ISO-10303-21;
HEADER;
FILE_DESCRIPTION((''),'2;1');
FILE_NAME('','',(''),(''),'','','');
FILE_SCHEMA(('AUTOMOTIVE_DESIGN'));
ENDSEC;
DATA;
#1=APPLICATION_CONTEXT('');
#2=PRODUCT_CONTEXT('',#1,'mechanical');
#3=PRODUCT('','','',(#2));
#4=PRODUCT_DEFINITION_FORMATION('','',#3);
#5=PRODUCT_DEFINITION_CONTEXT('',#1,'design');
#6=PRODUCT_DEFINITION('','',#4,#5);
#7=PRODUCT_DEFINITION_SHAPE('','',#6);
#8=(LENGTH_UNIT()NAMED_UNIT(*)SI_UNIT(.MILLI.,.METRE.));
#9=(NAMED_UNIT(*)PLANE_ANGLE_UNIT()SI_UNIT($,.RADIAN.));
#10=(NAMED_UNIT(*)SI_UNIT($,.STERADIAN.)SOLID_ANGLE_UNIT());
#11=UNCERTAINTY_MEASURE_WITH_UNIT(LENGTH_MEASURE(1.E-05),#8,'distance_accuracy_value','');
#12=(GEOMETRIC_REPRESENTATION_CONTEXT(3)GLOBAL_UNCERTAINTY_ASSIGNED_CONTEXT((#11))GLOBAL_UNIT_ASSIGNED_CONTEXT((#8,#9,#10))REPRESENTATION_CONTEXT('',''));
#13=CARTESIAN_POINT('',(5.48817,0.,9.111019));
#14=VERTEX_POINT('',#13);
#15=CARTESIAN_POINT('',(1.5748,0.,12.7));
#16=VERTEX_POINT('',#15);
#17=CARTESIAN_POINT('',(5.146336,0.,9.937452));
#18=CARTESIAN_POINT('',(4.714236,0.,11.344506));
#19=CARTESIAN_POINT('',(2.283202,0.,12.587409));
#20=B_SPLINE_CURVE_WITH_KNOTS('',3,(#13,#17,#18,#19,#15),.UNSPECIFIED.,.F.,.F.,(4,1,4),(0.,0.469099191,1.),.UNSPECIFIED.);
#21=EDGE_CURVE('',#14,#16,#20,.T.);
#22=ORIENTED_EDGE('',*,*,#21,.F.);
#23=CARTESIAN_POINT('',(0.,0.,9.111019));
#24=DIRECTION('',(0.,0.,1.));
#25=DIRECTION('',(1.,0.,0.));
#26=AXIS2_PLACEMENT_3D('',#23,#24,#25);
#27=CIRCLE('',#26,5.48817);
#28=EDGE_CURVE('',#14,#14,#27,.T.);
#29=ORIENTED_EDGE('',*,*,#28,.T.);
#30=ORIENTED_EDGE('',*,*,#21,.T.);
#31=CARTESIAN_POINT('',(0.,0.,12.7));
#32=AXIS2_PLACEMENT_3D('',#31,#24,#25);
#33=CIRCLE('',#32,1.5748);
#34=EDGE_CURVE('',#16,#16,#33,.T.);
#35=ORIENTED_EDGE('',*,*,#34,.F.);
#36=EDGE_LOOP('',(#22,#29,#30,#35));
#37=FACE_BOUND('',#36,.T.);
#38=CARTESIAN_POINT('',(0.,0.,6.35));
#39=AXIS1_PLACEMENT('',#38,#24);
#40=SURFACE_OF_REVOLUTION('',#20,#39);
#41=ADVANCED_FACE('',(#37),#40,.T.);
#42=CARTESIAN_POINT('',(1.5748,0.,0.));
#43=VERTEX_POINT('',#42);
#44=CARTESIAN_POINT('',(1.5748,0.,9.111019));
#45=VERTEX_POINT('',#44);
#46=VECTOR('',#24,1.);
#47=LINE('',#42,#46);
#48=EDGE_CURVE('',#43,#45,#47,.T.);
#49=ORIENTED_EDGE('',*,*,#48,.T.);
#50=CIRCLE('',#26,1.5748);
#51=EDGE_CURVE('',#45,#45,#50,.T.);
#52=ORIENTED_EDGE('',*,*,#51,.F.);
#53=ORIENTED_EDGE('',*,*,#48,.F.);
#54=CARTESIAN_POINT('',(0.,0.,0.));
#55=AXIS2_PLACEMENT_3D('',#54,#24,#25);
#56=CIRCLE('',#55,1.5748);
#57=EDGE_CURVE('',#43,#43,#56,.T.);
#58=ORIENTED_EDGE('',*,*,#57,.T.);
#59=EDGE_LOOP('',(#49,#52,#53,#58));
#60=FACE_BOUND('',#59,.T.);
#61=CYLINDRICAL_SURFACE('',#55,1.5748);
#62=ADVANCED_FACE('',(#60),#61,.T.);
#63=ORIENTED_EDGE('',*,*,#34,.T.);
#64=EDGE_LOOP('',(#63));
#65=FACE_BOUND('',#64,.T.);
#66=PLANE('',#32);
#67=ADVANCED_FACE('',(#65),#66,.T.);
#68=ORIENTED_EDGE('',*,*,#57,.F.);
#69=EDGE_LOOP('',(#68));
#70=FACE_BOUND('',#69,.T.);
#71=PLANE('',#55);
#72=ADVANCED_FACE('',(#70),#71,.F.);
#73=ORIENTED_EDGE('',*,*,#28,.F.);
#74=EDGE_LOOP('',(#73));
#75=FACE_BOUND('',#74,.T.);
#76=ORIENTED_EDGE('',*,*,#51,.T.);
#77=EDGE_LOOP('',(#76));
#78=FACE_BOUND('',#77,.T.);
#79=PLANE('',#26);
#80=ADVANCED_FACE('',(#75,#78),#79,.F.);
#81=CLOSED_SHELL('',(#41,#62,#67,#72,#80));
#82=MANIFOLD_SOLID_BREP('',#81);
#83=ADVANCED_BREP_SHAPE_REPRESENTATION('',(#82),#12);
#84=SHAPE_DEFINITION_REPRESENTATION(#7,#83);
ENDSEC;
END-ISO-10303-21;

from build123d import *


with BuildPart() as f1:
    # F0 (on Front) → F1 (revolve)
    with BuildSketch(Plane.XZ):
        with BuildLine():
            Line((0, 12.7), (0, 0))
            Line((0, 0), (1.5748, 0))
            Line((1.5748, 0), (1.5748, 9.1110188514))
            Line((1.5748, 9.1110188514), (5.4881703109, 9.1110188514))
            add(Edge.make_bspline(
                [(5.4881703109, 9.1110188514), (5.1463357238, 9.9374517907), (4.7142359861, 11.3445059879), (2.2832024785, 12.5874089086), (1.5748, 12.7)],
                knots=[0, 0, 0, 0, 0.4690991907, 1, 1, 1, 1], degree=3))
            Line((1.5748, 12.7), (0, 12.7))
        make_face()
    revolve(axis=Axis((0, 0, 6.35), (0, 0, 1)))


solid = f1.part
